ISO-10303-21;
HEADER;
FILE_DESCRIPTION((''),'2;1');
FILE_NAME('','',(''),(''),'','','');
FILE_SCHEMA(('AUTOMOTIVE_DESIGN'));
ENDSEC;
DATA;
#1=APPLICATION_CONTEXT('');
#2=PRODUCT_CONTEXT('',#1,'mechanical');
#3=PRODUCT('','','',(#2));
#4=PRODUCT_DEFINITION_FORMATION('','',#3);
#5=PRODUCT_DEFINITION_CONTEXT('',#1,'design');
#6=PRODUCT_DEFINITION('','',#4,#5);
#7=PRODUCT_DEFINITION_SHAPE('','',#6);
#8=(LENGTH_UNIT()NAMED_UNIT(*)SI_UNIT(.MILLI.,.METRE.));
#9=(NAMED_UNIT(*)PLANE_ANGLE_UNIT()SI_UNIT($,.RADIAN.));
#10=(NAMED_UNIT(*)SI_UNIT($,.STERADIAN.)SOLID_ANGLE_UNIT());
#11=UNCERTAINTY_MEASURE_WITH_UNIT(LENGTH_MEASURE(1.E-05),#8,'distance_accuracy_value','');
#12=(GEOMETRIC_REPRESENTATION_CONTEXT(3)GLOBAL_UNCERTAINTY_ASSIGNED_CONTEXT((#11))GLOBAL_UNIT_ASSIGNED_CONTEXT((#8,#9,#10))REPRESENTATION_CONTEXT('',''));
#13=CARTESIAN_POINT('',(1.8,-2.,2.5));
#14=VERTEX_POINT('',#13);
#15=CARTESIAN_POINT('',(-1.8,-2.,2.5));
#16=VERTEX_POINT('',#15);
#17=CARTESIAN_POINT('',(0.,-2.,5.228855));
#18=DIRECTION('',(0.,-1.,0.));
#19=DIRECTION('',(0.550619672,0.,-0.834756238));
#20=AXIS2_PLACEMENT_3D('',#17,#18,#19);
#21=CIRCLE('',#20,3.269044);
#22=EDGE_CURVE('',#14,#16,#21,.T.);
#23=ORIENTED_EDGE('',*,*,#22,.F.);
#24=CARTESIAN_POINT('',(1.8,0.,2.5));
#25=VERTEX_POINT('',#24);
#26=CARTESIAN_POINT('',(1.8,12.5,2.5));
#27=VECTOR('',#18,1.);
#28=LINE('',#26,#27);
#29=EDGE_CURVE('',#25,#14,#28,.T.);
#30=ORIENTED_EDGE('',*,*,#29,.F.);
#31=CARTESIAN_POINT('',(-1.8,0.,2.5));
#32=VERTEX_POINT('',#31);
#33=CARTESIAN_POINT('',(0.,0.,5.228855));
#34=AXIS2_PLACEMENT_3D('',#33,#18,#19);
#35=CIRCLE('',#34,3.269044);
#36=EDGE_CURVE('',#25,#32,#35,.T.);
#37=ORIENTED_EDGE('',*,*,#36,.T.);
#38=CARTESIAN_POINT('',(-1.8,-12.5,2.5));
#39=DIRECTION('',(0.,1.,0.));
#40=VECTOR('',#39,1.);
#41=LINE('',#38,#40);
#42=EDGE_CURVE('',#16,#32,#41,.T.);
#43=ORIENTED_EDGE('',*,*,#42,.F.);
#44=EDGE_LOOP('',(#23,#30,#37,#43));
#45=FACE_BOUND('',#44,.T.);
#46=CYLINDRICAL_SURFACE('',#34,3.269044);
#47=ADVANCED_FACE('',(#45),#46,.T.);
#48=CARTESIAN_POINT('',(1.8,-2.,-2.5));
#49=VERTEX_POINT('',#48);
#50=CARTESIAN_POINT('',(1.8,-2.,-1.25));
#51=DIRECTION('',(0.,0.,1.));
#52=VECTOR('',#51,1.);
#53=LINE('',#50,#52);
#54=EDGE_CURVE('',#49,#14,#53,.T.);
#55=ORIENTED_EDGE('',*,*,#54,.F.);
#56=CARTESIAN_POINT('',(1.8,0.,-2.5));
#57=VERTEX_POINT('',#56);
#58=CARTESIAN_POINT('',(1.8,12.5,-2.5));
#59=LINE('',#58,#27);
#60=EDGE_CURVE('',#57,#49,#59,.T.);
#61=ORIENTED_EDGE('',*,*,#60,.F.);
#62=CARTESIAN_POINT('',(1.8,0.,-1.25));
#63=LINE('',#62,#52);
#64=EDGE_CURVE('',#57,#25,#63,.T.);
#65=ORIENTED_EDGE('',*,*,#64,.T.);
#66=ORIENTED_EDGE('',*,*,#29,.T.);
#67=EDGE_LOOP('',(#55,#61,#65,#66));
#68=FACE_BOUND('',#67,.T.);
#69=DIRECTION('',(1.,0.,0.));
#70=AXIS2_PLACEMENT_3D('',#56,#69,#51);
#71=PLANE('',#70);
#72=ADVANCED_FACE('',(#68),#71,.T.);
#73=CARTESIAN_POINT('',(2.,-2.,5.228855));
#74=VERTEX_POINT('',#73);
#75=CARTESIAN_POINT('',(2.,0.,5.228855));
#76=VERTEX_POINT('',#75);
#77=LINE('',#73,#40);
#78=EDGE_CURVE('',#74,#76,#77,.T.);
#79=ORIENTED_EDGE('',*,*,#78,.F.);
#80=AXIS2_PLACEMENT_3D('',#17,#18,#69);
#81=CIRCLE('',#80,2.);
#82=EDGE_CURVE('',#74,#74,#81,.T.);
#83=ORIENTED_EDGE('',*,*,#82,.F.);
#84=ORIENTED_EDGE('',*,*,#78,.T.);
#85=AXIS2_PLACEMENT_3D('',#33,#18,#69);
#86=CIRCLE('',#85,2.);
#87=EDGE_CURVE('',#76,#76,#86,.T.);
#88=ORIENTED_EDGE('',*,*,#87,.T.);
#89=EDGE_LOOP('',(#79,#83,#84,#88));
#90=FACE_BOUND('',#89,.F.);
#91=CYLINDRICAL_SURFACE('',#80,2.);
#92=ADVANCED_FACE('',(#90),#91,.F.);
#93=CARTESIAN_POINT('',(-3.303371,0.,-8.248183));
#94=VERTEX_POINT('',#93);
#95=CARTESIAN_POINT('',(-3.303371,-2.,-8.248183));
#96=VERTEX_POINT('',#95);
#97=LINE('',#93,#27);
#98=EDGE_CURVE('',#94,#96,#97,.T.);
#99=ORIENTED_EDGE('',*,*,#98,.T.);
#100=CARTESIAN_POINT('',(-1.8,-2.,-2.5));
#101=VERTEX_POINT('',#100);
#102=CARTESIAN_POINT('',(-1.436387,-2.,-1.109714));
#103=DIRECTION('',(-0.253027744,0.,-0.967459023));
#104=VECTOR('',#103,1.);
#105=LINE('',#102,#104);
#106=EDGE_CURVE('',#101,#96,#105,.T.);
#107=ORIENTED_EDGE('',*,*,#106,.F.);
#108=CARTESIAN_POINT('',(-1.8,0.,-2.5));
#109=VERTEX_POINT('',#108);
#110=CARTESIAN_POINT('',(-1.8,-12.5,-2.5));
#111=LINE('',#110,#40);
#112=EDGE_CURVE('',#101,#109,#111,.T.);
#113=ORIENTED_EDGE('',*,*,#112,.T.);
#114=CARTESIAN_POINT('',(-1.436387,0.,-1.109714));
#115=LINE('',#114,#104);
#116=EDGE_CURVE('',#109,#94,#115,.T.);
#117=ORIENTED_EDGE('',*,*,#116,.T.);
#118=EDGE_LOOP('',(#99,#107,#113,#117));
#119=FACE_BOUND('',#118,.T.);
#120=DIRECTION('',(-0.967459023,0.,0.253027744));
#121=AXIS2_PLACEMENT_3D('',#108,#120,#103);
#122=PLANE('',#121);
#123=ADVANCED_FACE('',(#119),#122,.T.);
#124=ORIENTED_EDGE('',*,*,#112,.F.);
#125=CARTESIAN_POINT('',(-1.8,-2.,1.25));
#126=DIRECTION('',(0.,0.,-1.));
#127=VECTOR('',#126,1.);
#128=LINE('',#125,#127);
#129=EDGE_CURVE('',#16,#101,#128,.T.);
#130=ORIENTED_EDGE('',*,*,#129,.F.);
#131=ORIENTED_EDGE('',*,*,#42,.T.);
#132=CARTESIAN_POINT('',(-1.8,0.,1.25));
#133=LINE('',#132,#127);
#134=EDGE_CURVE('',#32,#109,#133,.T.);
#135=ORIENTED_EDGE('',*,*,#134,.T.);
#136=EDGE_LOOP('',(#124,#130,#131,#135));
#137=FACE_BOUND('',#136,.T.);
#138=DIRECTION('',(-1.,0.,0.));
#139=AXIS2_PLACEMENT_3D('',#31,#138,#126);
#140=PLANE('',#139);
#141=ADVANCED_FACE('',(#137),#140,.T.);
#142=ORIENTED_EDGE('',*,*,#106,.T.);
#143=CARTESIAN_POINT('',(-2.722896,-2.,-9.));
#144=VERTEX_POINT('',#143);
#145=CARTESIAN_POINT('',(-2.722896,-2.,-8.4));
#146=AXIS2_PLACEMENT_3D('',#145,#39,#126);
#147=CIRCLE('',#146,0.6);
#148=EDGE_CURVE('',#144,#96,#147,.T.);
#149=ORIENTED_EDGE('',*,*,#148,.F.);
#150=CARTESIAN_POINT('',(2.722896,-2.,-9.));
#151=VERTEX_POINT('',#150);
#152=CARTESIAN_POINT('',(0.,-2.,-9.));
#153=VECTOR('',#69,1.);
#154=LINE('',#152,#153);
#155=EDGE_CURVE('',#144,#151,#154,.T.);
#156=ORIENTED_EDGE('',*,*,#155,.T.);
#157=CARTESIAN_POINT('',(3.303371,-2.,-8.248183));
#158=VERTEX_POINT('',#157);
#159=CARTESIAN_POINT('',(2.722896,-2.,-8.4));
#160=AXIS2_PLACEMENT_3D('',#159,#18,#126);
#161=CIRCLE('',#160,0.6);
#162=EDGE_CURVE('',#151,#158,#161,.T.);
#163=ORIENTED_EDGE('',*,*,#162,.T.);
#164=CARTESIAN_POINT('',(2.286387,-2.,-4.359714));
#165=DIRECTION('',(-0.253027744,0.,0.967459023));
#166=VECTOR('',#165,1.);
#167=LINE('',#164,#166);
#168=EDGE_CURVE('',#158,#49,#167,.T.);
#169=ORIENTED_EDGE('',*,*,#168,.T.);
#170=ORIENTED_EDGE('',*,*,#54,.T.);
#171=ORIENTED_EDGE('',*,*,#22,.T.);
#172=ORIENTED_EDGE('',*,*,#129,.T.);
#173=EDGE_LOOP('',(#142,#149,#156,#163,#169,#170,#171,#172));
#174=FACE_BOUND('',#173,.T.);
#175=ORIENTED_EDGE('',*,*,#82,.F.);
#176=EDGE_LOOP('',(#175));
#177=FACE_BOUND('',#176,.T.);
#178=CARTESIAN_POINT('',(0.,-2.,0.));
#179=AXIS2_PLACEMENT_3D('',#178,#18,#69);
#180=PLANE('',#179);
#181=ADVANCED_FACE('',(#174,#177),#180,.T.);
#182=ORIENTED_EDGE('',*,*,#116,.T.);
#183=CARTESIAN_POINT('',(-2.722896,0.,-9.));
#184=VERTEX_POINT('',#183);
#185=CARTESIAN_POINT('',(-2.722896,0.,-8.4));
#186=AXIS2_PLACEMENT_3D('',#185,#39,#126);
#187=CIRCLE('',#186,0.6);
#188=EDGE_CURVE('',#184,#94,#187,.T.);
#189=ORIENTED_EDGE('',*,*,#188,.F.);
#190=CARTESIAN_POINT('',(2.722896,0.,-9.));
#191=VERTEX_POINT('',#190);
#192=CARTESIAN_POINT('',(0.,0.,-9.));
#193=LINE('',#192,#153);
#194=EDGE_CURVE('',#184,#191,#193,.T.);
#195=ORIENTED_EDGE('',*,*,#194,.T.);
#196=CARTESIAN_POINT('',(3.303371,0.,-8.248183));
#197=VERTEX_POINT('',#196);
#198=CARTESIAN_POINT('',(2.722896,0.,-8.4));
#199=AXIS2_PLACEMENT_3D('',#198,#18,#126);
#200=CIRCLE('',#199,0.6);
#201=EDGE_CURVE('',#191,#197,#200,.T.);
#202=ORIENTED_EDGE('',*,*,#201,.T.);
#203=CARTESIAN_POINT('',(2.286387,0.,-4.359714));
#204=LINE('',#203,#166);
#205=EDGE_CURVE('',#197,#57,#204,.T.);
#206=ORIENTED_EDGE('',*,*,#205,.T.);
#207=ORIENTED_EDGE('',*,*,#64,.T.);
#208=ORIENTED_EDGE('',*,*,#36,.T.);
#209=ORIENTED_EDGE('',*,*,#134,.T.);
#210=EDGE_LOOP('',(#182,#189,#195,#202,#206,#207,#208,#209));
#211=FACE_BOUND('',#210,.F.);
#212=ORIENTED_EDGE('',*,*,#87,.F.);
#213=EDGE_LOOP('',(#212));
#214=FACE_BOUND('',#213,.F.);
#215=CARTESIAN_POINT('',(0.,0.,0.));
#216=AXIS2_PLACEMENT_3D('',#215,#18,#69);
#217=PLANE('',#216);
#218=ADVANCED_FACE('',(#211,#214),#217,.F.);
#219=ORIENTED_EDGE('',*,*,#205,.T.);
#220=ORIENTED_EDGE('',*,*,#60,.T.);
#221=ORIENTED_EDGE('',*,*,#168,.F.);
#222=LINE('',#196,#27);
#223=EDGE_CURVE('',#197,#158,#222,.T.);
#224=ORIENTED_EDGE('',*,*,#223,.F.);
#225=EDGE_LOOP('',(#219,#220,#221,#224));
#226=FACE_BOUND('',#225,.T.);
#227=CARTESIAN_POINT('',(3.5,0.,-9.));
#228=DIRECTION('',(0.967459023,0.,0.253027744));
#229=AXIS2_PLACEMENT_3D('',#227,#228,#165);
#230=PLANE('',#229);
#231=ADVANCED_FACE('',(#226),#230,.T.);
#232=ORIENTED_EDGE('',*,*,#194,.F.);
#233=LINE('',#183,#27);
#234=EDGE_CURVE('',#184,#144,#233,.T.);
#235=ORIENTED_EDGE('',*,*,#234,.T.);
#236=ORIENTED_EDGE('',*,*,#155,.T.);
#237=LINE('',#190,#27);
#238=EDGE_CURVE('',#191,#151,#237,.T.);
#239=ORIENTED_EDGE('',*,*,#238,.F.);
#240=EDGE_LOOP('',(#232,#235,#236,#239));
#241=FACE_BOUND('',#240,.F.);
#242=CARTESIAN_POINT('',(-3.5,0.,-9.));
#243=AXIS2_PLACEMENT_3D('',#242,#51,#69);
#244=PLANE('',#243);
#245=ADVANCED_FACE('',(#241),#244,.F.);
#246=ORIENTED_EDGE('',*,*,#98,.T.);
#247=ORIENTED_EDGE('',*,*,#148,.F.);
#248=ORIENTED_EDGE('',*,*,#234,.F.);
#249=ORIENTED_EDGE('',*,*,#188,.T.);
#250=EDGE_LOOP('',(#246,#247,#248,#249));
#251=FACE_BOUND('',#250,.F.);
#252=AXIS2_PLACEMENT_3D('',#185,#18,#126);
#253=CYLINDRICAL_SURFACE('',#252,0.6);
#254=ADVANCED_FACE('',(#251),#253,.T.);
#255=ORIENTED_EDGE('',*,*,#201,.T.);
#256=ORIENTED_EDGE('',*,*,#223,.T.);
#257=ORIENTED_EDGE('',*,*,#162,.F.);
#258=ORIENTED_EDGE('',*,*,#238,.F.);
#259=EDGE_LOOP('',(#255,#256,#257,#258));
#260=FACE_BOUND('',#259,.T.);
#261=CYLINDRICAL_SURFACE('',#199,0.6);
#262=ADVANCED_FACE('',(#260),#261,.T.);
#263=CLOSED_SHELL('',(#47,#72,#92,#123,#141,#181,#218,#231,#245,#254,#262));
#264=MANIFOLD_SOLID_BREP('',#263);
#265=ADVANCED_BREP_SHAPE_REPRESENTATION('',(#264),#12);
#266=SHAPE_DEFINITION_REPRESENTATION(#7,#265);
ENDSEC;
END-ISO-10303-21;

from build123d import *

# Parameters (mm, degrees)
F0_W     = 7
F0_H     = 18
F2_DEPTH = 2
F3_DEPTH = 12.5
F4_R     = 0.6
F5_R     = 0.6
F6_R     = 2
F7_DEPTH = 25


with BuildPart() as f2:
    # F0 (on Front) → F2 (new body)
    with BuildSketch(Plane.XZ):
        Rectangle(F0_W, F0_H)
    extrude(amount=F2_DEPTH)

    # F1 (on face) → F3 (intersect, symmetric)
    with BuildSketch(Plane.XZ):
        with BuildLine():
            Line((-3.5, -9), (3.5, -9))
            Line((3.5, -9), (1.8, -2.5))
            Line((1.8, -2.5), (1.8, 2.5))
            ThreePointArc((1.8, 2.5), (0, 8.4978990818), (-1.8, 2.5))
            Line((-1.8, 2.5), (-1.8, -2.5))
            Line((-1.8, -2.5), (-3.5, -9))
        make_face()
    extrude(amount=F3_DEPTH, both=True, mode=Mode.INTERSECT)

    # F4
    f4_edges = [f2.edges().sort_by_distance(p)[0] for p in [
        (3.5, -1, -9),
    ]]
    fillet(f4_edges, radius=F4_R)

    # F5
    f5_edges = [f2.edges().sort_by_distance(p)[0] for p in [
        (-3.5, -1, -9),
    ]]
    fillet(f5_edges, radius=F5_R)

    # F6 (on face) → F7 (cut)
    with BuildSketch(Plane.XZ.offset(2)):
        with Locations((0, 5.2288549665)):
            Circle(F6_R)
    extrude(amount=-F7_DEPTH, mode=Mode.SUBTRACT)


solid = f2.part
